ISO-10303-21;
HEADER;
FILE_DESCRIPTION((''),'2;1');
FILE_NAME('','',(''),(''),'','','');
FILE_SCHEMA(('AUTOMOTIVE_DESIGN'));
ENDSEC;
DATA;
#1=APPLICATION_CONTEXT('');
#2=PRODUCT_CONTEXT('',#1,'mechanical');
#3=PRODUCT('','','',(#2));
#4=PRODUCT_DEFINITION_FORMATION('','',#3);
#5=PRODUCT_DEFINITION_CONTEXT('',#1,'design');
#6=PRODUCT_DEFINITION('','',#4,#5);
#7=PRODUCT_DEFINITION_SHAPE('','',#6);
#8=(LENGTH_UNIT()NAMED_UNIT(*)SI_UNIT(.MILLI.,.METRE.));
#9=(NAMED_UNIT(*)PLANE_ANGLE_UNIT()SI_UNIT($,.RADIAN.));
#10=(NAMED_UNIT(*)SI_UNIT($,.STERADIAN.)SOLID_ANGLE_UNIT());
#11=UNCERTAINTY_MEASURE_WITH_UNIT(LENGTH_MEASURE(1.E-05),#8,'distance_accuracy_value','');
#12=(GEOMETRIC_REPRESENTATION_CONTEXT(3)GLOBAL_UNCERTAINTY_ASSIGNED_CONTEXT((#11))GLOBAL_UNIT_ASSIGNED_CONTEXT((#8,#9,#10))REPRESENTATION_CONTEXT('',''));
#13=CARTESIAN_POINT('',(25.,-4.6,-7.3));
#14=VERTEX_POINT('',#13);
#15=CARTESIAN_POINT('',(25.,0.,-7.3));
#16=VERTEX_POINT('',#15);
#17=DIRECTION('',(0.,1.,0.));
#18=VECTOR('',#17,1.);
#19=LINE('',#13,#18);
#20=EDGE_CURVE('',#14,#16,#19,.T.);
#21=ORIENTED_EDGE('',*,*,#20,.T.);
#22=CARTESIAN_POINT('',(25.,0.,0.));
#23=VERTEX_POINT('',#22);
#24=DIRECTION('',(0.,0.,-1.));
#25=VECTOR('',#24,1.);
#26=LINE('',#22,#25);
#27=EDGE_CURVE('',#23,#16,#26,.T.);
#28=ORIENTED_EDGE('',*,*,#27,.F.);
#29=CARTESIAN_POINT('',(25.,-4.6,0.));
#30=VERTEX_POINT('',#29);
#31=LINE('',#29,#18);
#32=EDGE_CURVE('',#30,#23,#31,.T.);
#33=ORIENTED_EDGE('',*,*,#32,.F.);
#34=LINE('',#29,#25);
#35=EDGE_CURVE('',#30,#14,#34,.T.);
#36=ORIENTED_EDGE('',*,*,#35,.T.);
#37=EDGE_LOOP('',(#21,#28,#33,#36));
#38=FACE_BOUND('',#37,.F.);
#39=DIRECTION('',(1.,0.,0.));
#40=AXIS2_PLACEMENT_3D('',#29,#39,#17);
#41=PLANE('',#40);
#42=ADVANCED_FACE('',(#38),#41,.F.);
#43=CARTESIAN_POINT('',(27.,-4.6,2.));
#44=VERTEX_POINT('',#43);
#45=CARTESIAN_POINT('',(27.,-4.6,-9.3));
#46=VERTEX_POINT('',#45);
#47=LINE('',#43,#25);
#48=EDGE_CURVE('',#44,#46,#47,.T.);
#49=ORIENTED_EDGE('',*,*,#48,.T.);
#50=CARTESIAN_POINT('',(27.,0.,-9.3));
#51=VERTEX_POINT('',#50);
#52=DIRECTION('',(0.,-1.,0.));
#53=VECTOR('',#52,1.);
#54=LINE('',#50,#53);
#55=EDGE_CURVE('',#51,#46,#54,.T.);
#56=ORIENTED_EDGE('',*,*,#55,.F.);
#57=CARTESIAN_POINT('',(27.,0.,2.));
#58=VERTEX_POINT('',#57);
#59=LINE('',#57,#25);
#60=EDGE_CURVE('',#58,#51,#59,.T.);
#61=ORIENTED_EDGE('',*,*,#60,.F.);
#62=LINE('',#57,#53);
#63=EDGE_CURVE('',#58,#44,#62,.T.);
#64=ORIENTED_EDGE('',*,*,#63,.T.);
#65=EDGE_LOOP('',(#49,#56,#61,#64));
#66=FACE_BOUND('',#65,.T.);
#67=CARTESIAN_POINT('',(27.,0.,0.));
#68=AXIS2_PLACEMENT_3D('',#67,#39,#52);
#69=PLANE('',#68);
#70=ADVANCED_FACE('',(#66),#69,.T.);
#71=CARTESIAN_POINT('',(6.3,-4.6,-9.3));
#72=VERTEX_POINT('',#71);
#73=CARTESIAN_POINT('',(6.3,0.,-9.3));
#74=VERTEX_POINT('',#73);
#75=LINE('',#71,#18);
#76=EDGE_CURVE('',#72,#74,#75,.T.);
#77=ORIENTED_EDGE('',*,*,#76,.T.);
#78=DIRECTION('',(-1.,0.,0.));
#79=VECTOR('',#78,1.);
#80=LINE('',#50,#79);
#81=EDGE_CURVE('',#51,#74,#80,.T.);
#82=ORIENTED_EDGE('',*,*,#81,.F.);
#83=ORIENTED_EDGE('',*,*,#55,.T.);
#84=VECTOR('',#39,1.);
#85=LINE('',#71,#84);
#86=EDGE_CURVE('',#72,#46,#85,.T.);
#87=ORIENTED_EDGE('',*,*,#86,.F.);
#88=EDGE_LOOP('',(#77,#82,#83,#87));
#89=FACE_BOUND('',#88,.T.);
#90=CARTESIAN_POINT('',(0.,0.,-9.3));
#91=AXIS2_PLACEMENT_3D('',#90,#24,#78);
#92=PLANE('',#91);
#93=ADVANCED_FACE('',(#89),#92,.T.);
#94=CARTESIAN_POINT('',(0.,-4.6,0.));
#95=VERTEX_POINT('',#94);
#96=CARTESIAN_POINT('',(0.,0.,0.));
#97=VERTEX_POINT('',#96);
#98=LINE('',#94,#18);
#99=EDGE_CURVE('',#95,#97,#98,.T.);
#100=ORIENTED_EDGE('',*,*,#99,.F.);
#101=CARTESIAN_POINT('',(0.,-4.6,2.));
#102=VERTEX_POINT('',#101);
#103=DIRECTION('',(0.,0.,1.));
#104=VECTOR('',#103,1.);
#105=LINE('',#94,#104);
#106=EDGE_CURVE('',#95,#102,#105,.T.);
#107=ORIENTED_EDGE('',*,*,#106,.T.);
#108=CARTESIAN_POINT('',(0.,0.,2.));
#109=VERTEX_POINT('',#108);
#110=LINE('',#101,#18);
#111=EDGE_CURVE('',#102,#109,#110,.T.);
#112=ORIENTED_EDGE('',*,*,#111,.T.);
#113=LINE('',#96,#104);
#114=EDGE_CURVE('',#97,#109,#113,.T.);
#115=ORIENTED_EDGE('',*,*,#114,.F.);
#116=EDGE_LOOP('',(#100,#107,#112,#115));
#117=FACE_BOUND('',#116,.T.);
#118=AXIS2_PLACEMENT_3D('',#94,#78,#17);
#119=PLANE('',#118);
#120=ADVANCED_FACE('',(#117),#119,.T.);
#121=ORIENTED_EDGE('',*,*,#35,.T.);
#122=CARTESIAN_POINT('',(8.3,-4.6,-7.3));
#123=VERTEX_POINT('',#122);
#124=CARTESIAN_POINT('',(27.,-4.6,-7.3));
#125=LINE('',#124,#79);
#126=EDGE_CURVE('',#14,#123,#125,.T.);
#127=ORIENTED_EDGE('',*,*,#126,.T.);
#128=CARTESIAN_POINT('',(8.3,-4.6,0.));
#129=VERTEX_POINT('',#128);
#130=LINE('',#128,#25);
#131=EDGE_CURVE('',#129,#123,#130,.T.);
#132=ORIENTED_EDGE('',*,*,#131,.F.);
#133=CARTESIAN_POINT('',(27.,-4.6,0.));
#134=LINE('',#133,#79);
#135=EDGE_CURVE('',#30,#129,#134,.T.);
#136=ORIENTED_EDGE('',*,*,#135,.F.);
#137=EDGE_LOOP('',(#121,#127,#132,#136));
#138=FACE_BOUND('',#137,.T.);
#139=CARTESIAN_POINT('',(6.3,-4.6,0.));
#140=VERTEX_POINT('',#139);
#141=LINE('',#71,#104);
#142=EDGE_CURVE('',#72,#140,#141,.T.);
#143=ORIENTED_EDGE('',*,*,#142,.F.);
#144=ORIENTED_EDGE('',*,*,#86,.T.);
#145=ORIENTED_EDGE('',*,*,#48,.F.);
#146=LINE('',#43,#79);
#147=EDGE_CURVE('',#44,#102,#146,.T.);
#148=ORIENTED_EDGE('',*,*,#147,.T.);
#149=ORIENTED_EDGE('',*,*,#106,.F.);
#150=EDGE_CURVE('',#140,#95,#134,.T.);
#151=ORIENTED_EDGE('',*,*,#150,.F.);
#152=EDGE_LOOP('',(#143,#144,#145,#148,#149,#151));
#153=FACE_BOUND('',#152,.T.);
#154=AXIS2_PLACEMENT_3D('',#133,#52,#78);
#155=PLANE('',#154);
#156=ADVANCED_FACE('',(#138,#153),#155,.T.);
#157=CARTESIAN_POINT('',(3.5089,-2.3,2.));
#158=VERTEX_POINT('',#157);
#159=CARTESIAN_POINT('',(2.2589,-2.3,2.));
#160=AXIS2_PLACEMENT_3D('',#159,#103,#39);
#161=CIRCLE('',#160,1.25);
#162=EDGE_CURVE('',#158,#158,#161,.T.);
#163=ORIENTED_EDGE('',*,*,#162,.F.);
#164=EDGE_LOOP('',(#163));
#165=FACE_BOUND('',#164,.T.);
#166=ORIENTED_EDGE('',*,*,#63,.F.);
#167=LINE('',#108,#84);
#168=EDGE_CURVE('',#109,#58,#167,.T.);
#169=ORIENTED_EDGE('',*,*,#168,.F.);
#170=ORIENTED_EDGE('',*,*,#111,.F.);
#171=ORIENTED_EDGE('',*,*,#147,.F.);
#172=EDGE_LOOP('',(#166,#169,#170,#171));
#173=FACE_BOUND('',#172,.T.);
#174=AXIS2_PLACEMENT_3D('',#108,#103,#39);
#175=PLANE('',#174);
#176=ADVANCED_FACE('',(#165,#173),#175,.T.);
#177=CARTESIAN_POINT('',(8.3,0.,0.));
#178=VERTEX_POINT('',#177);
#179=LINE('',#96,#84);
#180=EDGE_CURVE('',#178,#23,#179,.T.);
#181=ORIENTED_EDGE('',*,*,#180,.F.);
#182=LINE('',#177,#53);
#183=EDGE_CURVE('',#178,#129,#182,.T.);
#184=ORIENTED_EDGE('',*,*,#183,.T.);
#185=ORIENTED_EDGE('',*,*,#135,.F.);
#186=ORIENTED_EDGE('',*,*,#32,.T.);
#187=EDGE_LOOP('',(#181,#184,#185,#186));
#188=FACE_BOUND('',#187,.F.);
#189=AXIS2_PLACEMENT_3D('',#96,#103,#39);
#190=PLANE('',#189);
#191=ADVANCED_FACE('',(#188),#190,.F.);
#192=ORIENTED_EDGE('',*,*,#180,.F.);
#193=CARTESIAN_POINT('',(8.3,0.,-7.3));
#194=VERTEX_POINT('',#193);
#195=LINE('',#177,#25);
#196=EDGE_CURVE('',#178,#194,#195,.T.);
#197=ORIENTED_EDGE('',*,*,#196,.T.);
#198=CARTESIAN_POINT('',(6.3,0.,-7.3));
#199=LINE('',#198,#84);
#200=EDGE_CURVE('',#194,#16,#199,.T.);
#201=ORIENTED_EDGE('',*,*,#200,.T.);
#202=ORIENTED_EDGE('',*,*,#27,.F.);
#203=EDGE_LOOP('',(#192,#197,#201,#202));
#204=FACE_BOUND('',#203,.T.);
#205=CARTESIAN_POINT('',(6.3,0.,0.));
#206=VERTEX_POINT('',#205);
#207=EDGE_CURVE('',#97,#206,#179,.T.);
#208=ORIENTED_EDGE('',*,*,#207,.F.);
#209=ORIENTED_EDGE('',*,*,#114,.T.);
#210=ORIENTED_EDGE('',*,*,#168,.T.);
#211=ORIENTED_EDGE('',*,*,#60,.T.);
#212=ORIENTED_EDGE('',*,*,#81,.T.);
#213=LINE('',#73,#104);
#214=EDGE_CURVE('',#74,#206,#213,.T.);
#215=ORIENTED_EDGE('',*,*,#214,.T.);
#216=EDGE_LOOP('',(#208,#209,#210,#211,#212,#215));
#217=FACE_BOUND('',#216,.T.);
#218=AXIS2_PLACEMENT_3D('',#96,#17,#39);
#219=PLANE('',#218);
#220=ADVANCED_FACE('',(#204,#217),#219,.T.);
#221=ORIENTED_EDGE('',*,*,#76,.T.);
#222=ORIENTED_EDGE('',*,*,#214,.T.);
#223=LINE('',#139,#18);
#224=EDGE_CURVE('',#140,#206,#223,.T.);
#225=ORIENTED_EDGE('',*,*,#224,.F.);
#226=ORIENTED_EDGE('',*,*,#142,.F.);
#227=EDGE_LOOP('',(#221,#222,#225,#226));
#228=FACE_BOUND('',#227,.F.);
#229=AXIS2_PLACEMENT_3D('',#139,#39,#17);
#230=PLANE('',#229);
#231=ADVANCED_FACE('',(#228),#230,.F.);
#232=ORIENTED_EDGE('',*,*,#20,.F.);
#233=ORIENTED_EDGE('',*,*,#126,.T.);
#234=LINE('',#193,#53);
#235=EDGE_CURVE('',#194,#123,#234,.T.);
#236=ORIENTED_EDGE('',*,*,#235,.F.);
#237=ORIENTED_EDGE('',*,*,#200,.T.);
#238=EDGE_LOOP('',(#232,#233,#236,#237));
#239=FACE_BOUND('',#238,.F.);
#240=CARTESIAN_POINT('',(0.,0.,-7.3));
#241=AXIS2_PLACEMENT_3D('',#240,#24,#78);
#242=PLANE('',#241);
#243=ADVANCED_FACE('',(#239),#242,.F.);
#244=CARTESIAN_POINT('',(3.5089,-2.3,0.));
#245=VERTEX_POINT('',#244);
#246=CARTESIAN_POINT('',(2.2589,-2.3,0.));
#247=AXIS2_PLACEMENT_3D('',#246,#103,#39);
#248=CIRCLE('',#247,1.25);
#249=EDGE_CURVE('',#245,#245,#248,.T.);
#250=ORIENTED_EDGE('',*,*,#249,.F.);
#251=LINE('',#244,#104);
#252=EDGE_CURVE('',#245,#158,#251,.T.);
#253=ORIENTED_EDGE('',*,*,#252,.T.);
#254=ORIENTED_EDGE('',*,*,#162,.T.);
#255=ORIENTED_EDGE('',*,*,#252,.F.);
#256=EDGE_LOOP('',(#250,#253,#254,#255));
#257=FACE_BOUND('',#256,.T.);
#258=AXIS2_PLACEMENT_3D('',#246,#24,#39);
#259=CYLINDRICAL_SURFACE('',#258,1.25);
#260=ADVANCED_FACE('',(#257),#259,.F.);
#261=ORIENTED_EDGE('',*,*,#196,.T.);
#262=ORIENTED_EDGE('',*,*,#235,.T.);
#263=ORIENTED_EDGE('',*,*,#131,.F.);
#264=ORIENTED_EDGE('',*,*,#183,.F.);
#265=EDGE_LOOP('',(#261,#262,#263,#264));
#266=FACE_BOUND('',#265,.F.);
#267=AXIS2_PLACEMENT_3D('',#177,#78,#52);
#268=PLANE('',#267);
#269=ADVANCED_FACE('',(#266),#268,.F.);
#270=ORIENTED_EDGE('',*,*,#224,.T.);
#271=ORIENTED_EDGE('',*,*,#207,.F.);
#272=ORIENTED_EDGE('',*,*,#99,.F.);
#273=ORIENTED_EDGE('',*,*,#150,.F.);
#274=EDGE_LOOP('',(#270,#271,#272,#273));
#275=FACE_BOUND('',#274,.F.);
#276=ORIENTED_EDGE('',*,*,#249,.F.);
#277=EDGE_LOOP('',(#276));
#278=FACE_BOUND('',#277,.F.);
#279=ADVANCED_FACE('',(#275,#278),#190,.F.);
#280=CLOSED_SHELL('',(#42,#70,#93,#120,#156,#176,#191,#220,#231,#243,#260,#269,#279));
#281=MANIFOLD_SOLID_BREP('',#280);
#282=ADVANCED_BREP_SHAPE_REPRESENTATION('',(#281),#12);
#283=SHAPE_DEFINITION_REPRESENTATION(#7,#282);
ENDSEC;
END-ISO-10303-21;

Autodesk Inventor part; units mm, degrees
ref_plane "YZ Plane" through (0, 0, 0) normal (1, 0, 0) x (0, 1, 0)
ref_plane "XZ Plane" through (0, 0, 0) normal (0, 1, 0) x (-1, 0, 0)
ref_plane "XY Plane" through (0, 0, 0) normal (0, 0, 1) x (1, 0, 0)
sketch "Sketch1" plane through (0, 0, 0) normal (0, 0, 1) x (1, 0, 0)
  line L0 (0, 0) -> (27, 0)
  line L1 (27, 0) -> (27, -4.6)
  line L2 (27, -4.6) -> (0, -4.6)
  line L3 (0, -4.6) -> (0, 0)
  circle A0 centre (2.2589, -2.3) radius 1.25
  dimension "d0" = 2.3
  dimension "d1" = 2.3
  dimension "d2" = 27
  dimension "d12" = 2.5
extrude "Extrusion1" add sketch "Sketch1" along normal blind 2
sketch "Sketch2" plane through (0, 0, 0) normal (0, 0, -1) x (-1, 0, 0)
  line L0 (0, -4.6) -> (-27, -4.6) projected
  line L1 (-6.3, 0) -> (-8.3, 0)
  line L2 (-8.3, 0) -> (-8.3, -4.6)
  line L3 (-8.3, -4.6) -> (-6.3, -4.6)
  line L4 (-6.3, -4.6) -> (-6.3, 0)
  line L5 (-27, 0) -> (0, 0) projected
  line L6 (-27, -4.6) -> (-25, -4.6)
  line L7 (-25, -4.6) -> (-25, 0)
  line L8 (-25, 0) -> (-27, 0)
  line L9 (-27, 0) -> (-27, -4.6)
  dimension "d5" = 2
  dimension "d6" = 2
  dimension "d7" = 16.7
extrude "Extrusion2" add sketch "Sketch2" along normal blind 7.3 contours L0 L2 L1 L4 | L0 L9 L5 L7
sketch "Sketch3" plane through (0, 0, -7.3) normal (0, 0, -1) x (-1, 0, 0)
  line L0 (-6.3, 0) -> (-8.3, 0) projected
  line L1 (-8.3, 0) -> (-8.3, -4.6) projected
  line L2 (-8.3, -4.6) -> (-6.3, -4.6) projected
  line L3 (-6.3, -4.6) -> (-6.3, 0) projected
  line L4 (-27, -4.6) -> (-25, -4.6) projected
  line L5 (-25, -4.6) -> (-25, 0) projected
  line L6 (-25, 0) -> (-27, 0) projected
  line L7 (-27, 0) -> (-27, -4.6) projected
  line L8 (-8.3, 0) -> (-25, 0)
  line L9 (-25, 0) -> (-25, -4.6)
  line L10 (-25, -4.6) -> (-8.3, -4.6)
  line L11 (-8.3, -4.6) -> (-8.3, 0)
  point P0 (0, 0)
extrude "Extrusion3" add sketch "Sketch3" along normal blind 2
equation "\"BendRadius\" = Thickness"
equation "\"BendReliefWidth\" = Thickness"
equation "\"BendReliefDepth\" = 0.5 * Thickness"
equation "\"CornerReliefSize\" = 4 * Thickness"
equation "\"MinimumRemnant\" = 2 * Thickness"
equation "\"TransitionRadius\" = BendRadius"
equation "\"JacobiRadiusSize\" = BendRadius"
equation "\"GapSize\" = Thickness"
equation "\"Thickness\" = 0.5"
properties part number "Switch_Holder"
